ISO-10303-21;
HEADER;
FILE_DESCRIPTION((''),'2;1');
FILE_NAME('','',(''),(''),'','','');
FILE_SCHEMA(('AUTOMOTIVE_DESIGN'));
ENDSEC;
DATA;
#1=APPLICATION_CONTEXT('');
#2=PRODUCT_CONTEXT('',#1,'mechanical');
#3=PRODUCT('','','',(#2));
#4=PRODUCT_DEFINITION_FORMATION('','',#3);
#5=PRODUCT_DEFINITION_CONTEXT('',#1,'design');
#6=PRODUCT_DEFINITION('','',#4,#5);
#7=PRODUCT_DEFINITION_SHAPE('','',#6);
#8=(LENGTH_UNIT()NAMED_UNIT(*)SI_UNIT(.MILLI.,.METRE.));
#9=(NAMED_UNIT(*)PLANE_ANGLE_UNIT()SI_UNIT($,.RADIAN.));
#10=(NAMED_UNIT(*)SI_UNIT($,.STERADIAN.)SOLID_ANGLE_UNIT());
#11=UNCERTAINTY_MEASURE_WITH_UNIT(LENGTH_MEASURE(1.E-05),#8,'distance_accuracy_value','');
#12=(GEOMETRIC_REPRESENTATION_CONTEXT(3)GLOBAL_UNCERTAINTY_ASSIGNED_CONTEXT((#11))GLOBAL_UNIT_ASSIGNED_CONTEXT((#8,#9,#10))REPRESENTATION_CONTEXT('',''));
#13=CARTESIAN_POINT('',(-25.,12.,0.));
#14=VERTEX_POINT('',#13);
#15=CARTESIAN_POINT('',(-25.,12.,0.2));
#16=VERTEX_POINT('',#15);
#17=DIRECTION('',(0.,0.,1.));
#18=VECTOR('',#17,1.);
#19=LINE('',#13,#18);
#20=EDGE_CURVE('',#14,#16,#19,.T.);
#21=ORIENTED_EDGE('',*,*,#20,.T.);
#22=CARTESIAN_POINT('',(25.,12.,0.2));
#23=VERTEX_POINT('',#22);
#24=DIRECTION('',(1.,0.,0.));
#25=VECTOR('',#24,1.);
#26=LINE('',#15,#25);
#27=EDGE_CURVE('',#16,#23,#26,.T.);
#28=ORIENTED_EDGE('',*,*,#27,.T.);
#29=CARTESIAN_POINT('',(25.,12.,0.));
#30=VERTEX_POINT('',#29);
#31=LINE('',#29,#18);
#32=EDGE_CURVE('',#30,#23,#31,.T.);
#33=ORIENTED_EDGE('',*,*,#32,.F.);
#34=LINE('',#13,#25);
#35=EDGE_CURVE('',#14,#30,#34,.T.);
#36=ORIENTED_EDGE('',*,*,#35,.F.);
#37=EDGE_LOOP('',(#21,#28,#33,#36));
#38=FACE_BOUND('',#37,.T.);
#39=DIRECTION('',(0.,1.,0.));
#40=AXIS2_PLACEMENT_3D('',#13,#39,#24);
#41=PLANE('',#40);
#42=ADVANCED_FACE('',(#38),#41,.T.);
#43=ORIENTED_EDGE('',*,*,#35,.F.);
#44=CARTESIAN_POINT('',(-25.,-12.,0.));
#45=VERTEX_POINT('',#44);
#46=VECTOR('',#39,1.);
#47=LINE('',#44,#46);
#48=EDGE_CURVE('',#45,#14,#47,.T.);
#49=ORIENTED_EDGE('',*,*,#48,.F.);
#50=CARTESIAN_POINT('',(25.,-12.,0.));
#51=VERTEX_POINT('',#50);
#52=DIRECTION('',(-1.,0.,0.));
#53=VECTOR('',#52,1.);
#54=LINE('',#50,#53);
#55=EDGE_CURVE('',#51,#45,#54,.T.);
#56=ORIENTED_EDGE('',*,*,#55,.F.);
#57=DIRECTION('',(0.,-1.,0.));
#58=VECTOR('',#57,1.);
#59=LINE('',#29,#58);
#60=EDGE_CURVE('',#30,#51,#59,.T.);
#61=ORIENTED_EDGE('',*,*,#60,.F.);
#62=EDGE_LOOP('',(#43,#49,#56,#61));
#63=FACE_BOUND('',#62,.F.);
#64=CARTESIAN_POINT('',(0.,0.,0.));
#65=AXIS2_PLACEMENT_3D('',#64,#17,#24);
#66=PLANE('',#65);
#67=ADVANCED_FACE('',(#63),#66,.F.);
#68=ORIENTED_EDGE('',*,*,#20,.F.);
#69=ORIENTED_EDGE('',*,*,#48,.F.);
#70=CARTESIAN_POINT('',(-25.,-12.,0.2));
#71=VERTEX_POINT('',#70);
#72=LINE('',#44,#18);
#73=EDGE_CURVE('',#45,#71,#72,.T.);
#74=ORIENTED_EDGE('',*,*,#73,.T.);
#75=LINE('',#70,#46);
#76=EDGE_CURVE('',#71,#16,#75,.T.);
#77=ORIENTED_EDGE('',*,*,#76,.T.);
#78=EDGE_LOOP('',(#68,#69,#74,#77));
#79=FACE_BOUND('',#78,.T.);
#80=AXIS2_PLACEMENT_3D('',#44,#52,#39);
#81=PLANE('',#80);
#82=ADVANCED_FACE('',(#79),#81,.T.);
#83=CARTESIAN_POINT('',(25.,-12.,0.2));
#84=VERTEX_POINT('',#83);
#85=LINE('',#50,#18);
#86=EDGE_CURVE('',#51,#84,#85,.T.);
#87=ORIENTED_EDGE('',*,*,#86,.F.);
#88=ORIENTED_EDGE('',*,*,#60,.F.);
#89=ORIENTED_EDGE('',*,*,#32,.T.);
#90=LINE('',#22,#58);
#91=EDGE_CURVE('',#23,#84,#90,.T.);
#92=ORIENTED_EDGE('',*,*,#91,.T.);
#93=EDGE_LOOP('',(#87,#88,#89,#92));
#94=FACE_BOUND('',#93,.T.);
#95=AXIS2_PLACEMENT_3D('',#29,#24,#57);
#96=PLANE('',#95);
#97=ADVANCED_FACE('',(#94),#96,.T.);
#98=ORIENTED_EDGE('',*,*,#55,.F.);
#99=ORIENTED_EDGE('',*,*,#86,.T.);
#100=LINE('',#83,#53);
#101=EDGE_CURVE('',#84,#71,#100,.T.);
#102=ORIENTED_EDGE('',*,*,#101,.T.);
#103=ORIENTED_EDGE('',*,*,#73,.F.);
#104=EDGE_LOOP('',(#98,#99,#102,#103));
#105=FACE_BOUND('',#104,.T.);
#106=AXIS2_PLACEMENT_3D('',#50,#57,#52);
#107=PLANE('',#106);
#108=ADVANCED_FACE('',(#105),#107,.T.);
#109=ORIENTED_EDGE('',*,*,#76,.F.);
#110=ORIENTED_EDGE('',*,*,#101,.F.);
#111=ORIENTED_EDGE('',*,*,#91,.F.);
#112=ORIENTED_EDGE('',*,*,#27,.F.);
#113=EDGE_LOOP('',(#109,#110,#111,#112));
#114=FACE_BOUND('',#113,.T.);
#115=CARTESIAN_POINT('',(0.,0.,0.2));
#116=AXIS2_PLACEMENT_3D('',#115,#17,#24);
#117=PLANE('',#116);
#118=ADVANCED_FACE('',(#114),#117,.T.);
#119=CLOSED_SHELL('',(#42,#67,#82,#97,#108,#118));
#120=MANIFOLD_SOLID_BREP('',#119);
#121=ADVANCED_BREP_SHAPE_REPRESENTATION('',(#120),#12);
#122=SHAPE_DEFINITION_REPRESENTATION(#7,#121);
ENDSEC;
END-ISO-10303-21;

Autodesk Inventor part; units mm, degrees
ref_plane "YZ Plane" through (0, 0, 0) normal (1, 0, 0) x (0, 1, 0)
ref_plane "XZ Plane" through (0, 0, 0) normal (0, 1, 0) x (-1, 0, 0)
ref_plane "XY Plane" through (0, 0, 0) normal (0, 0, 1) x (1, 0, 0)
sketch "Skizze1" plane through (0, 0, 0) normal (0, 0, 1) x (1, 0, 0)
  line L0 (25, -12) -> (-25, -12)
  line L1 (-25, -12) -> (-25, 12)
  line L2 (-25, 12) -> (25, 12)
  line L3 (25, 12) -> (25, -12)
  line L4 (25, -12) -> (-25, 12) construction
  line L5 (-25, -12) -> (25, 12) construction
  point P0 (0, 0)
  dimension "d0" = 50
  dimension "d1" = 24
extrude "Extrusion1" add sketch "Skizze1" along normal blind 0.2
ref_plane "Arbeitsebene1" through (0, -12, 0) normal (-1, 0, 0) x (0, 0, 1)
properties part number "00_Coverglass_50x24mm"
